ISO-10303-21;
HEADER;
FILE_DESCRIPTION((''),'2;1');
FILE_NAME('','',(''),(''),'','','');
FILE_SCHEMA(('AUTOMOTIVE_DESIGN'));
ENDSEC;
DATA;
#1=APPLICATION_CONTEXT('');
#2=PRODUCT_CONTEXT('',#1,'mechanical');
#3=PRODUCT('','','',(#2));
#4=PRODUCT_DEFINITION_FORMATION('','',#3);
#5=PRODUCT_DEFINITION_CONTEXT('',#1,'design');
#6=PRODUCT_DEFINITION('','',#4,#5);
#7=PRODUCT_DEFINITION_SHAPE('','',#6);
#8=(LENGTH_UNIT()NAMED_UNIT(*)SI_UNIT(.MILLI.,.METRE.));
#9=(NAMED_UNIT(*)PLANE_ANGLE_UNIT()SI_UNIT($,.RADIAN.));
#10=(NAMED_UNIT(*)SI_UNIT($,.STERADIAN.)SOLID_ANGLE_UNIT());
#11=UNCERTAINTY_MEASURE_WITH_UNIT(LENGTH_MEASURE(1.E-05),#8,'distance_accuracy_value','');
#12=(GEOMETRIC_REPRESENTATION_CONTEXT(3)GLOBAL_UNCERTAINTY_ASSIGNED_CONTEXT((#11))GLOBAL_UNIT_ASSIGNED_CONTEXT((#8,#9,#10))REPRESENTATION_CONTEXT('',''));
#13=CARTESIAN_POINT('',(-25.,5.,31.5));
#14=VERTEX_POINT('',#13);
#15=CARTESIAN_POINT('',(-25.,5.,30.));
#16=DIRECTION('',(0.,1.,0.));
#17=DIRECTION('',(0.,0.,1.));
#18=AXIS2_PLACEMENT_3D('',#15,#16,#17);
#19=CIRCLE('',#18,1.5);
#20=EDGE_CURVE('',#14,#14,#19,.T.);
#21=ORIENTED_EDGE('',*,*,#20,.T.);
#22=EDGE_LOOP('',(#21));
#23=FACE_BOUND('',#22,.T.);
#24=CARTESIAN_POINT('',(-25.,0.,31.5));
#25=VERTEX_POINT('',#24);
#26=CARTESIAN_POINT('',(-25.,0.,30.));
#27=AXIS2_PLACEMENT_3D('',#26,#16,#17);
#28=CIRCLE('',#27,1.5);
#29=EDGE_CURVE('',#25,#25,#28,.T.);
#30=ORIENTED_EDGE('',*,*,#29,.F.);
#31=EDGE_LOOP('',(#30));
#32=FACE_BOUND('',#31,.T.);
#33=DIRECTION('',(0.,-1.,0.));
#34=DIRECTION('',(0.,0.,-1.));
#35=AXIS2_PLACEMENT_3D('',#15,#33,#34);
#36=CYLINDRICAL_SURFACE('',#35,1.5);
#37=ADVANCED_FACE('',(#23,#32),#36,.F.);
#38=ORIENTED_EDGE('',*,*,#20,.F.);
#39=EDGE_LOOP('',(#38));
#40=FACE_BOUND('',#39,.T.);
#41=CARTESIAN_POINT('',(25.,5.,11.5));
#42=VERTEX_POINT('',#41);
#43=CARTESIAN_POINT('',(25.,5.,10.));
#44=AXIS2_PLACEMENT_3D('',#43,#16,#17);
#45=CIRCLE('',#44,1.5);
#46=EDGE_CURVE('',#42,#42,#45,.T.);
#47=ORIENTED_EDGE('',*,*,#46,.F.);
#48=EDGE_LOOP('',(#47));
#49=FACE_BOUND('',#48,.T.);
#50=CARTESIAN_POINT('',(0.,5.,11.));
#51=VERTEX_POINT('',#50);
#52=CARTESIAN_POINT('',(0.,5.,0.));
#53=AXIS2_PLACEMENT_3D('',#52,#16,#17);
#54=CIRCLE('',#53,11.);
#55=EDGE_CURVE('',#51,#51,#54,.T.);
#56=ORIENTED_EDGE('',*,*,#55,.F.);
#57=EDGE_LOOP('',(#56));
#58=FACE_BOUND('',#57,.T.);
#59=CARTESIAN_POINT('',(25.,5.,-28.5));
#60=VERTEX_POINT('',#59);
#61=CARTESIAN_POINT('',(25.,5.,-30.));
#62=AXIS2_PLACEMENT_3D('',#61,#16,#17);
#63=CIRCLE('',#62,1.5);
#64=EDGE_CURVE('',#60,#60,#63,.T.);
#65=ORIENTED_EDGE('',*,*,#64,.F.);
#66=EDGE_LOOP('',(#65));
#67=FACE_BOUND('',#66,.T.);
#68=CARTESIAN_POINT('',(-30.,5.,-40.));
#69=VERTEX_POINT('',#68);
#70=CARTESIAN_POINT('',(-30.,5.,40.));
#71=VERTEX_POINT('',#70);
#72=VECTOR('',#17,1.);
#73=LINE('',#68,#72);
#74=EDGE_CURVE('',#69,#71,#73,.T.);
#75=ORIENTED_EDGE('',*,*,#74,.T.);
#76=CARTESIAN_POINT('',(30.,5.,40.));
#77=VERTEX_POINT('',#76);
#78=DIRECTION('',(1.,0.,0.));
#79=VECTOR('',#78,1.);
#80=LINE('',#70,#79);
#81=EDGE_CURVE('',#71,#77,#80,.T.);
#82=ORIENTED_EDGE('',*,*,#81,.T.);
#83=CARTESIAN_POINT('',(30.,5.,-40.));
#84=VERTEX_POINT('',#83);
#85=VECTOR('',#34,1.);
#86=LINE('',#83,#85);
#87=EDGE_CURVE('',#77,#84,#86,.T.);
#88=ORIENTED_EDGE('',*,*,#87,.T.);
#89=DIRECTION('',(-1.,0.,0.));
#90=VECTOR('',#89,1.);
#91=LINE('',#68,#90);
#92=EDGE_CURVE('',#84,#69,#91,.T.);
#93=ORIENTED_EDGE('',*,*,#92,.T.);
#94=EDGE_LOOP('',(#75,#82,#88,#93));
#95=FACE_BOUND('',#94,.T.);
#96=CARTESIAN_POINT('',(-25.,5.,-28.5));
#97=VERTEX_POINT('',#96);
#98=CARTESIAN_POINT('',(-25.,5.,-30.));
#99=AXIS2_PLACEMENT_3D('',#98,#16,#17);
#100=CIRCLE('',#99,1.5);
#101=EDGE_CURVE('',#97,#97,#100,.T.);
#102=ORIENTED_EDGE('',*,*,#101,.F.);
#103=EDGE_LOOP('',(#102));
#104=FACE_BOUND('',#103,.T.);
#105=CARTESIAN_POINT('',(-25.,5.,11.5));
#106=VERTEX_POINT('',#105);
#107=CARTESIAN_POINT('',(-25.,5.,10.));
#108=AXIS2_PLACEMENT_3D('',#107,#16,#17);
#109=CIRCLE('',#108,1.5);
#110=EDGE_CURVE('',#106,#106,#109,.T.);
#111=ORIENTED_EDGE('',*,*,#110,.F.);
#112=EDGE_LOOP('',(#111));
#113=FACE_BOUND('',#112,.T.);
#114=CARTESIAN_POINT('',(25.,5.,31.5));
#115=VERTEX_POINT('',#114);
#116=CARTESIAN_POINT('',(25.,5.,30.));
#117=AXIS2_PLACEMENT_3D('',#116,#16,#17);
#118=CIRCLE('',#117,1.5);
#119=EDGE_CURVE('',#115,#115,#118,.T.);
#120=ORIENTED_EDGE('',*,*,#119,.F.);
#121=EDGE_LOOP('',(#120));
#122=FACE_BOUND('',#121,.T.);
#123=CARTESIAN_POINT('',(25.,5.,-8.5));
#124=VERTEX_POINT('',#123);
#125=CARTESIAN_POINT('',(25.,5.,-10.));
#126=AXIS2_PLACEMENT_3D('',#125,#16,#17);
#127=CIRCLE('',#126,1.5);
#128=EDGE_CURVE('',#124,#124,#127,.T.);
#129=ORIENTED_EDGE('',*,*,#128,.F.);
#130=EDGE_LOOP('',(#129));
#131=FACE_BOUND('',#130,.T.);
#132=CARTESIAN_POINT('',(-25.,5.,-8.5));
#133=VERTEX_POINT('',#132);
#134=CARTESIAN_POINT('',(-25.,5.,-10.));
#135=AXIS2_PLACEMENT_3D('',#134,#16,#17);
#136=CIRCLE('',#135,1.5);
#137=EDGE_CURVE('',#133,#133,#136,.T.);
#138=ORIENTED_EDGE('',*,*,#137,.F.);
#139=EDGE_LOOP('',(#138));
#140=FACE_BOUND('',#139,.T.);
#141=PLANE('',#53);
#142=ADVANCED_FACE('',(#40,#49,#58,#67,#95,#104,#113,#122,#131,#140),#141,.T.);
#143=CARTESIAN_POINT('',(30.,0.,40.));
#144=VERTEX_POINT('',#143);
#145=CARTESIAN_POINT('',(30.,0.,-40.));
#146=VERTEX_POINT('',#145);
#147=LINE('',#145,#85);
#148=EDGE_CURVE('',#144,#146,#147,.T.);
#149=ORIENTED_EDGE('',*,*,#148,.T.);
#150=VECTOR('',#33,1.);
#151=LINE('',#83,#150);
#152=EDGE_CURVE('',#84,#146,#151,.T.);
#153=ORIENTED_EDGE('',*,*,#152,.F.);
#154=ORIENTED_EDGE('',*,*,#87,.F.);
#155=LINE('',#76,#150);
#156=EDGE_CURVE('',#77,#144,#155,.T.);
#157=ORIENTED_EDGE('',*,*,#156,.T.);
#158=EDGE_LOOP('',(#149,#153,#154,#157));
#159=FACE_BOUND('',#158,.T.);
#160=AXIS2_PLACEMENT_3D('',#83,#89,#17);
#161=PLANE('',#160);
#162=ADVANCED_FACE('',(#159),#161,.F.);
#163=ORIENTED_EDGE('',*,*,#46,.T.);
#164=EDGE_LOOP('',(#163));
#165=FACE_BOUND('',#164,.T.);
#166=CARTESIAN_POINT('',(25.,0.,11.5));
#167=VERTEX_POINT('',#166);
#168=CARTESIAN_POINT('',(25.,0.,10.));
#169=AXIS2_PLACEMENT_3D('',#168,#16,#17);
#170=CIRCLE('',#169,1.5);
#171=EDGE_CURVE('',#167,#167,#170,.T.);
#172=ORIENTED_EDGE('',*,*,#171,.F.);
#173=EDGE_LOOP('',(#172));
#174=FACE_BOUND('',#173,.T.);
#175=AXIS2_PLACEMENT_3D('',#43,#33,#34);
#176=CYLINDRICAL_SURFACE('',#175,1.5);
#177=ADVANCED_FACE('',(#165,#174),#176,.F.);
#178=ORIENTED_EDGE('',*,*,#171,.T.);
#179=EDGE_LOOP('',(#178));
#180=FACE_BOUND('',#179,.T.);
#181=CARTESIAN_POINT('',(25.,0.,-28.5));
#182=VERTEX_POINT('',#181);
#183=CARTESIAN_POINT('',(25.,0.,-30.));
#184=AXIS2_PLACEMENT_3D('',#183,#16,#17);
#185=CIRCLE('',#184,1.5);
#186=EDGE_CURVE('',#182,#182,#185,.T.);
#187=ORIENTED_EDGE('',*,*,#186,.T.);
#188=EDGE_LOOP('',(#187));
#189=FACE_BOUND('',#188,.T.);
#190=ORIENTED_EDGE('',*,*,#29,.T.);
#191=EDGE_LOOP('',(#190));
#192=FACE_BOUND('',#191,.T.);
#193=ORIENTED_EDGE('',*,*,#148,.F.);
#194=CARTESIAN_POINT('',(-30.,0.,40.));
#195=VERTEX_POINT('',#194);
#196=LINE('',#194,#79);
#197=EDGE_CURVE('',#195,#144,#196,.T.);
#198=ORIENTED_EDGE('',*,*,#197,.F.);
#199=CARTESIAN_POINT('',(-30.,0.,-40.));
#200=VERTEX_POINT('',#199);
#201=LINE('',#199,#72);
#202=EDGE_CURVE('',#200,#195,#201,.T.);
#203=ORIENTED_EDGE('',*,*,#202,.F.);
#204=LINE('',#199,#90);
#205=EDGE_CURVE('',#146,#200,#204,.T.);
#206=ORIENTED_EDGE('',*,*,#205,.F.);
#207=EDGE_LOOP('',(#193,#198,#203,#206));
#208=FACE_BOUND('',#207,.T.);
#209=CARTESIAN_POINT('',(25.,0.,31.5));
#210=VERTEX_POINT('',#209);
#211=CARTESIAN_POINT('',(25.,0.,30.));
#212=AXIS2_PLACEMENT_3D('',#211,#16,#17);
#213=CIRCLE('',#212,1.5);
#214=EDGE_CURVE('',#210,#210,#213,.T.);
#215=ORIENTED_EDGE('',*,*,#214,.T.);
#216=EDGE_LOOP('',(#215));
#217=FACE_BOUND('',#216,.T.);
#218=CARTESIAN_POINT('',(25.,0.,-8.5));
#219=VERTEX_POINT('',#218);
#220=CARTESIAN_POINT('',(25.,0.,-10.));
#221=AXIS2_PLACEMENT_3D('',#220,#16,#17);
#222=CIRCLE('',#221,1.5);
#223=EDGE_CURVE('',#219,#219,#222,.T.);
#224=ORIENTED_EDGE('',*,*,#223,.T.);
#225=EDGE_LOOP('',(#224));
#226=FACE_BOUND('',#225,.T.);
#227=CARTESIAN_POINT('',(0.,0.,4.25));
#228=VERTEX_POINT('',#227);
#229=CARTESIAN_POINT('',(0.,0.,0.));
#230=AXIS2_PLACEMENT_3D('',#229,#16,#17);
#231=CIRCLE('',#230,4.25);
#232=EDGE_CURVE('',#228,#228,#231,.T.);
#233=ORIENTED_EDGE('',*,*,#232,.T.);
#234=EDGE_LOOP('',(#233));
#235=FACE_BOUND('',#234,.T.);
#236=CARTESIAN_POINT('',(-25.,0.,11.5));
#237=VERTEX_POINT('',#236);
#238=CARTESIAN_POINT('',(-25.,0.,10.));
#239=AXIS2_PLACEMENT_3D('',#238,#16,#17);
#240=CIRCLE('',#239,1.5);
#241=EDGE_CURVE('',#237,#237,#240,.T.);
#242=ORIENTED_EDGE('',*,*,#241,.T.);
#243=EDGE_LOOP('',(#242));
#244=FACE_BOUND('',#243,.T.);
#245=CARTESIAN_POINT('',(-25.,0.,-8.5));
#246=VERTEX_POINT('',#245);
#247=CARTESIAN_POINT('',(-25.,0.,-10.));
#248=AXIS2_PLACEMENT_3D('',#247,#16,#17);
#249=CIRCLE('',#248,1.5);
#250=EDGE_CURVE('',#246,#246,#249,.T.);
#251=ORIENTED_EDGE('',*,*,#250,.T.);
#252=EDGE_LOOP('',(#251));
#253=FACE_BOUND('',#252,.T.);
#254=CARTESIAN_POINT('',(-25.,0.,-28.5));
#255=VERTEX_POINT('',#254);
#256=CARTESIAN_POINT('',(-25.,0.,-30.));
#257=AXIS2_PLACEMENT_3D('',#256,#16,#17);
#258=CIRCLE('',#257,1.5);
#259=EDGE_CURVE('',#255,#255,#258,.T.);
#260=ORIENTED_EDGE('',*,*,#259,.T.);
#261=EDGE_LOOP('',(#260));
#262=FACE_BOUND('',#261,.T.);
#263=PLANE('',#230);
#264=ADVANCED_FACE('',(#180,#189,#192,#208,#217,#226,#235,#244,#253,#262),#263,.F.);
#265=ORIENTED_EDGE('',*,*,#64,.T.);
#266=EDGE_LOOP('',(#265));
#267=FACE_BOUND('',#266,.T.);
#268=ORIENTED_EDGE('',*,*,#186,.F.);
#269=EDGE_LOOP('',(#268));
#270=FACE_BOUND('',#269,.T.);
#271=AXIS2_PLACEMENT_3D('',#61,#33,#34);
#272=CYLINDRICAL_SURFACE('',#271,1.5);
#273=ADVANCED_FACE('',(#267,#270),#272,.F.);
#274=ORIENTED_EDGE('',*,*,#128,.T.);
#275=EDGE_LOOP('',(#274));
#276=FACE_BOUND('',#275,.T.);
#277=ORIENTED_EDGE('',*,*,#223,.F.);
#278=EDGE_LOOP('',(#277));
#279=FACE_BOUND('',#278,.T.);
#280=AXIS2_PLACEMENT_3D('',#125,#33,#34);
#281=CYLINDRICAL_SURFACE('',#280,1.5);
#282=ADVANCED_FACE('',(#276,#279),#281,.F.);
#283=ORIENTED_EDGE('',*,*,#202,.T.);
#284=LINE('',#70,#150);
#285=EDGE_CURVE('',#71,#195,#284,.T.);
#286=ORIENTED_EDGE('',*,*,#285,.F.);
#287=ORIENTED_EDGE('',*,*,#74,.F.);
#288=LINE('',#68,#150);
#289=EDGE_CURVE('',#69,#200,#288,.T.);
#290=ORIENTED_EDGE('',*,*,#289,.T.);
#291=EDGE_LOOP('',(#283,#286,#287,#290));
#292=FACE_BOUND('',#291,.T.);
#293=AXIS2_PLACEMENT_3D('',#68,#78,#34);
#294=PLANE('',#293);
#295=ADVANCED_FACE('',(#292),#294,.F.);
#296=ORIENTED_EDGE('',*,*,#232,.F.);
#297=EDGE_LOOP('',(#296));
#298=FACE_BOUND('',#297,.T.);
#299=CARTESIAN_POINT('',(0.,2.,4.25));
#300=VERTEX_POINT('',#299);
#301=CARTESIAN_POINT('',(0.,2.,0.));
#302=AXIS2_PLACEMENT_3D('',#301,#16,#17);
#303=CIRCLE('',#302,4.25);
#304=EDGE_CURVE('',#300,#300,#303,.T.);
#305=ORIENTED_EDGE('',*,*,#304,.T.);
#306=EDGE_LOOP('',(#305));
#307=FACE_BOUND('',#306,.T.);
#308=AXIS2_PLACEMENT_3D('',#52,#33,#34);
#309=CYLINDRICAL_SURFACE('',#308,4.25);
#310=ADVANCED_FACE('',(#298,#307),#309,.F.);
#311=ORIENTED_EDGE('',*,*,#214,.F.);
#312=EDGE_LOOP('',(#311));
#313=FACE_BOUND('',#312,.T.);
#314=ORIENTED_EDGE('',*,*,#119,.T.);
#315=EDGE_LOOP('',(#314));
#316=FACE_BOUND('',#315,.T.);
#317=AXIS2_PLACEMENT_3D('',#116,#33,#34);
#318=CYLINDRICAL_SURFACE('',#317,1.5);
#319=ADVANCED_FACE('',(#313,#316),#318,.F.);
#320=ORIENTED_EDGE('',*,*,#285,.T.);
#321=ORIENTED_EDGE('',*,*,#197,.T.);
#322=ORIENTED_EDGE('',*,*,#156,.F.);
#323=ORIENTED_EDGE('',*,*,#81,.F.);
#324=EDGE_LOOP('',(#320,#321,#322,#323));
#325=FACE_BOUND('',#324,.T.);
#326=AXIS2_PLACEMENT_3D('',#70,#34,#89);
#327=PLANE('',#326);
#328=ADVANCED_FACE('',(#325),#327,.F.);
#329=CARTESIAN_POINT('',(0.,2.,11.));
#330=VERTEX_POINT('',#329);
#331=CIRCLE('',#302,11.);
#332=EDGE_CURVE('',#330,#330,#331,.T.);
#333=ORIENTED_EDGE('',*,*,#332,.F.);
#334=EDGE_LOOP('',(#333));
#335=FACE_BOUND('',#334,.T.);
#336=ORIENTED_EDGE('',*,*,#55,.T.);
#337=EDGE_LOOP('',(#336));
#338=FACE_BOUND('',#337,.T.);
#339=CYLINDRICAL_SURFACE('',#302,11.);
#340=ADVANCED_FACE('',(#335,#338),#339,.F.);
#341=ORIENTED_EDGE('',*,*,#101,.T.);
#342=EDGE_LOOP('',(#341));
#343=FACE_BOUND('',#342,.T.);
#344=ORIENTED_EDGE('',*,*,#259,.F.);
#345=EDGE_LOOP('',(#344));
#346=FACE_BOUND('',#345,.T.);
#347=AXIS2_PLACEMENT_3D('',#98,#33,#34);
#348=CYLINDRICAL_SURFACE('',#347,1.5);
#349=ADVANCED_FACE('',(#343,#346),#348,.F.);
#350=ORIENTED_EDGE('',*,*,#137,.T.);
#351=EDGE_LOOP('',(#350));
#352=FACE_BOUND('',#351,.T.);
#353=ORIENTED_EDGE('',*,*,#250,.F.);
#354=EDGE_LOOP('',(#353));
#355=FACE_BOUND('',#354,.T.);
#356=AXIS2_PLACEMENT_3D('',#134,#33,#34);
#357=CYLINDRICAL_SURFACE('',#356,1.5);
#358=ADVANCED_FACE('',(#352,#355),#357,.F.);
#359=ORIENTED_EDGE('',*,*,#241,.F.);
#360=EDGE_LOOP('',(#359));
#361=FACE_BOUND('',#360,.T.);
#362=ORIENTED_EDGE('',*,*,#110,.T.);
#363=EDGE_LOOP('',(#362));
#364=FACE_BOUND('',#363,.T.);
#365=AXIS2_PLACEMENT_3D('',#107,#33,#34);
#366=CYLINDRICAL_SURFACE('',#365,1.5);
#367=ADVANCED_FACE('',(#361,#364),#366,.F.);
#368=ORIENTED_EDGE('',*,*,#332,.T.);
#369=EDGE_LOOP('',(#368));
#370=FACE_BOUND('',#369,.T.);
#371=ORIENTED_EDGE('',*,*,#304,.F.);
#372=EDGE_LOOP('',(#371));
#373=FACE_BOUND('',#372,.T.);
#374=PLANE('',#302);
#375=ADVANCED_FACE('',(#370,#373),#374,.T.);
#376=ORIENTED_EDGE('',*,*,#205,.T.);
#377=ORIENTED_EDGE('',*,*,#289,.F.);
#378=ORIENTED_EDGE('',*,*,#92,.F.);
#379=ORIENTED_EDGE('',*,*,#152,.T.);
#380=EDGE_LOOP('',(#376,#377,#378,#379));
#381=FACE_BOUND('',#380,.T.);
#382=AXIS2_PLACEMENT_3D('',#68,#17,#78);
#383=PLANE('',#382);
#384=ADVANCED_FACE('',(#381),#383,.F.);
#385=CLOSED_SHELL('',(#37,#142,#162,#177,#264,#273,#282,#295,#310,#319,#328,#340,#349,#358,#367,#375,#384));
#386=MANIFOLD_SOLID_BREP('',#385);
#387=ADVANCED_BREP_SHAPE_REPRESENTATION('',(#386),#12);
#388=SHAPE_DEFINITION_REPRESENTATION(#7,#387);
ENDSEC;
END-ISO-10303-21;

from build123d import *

# Parameters (mm, degrees)
SKETCH1_W           = 60
SKETCH1_H           = 80
SKETCH1_R           = 1.5
SKETCH1_R_2         = 4.25
BOSS_EXTRUDE1_DEPTH = 5
SKETCH2_R           = 11
CUT_EXTRUDE1_DEPTH  = 3


with BuildPart() as part:
    # Sketch1 → Boss-Extrude1 (new body)
    with BuildSketch(Plane(origin=(0, 0, 0), x_dir=(1, 0, 0), z_dir=(0, 1, 0))):
        Rectangle(SKETCH1_W, SKETCH1_H)
        with Locations(Location((-25, 30, 0), (0, 0, 270))):
            Circle(SKETCH1_R, mode=Mode.SUBTRACT)
        with Locations(Location((25, 30, 0), (0, 0, 270))):
            Circle(SKETCH1_R, mode=Mode.SUBTRACT)
        with Locations(Location((25, 10, 0), (0, 0, 270))):
            Circle(SKETCH1_R, mode=Mode.SUBTRACT)
        with Locations(Location((25, -10, 0), (0, 0, 270))):
            Circle(SKETCH1_R, mode=Mode.SUBTRACT)
        with Locations(Location((25, -30, 0), (0, 0, 270))):
            Circle(SKETCH1_R, mode=Mode.SUBTRACT)
        with Locations(Location((-25, 10, 0), (0, 0, 270))):
            Circle(SKETCH1_R, mode=Mode.SUBTRACT)
        with Locations(Location((-25, -10, 0), (0, 0, 270))):
            Circle(SKETCH1_R, mode=Mode.SUBTRACT)
        with Locations(Location((-25, -30, 0), (0, 0, 270))):
            Circle(SKETCH1_R, mode=Mode.SUBTRACT)
        with Locations(Location((0, 0, 0), (0, 0, 270))):
            Circle(SKETCH1_R_2, mode=Mode.SUBTRACT)
    extrude(amount=BOSS_EXTRUDE1_DEPTH)

    # Sketch2 → Cut-Extrude1 (cut)
    with BuildSketch(Plane(origin=(0, 5, 0), x_dir=(1, 0, 0), z_dir=(0, 1, 0))):
        with Locations(Location((0, 0, 0), (0, 0, 270))):
            Circle(SKETCH2_R)
    extrude(amount=-CUT_EXTRUDE1_DEPTH, mode=Mode.SUBTRACT)


solid = part.part
